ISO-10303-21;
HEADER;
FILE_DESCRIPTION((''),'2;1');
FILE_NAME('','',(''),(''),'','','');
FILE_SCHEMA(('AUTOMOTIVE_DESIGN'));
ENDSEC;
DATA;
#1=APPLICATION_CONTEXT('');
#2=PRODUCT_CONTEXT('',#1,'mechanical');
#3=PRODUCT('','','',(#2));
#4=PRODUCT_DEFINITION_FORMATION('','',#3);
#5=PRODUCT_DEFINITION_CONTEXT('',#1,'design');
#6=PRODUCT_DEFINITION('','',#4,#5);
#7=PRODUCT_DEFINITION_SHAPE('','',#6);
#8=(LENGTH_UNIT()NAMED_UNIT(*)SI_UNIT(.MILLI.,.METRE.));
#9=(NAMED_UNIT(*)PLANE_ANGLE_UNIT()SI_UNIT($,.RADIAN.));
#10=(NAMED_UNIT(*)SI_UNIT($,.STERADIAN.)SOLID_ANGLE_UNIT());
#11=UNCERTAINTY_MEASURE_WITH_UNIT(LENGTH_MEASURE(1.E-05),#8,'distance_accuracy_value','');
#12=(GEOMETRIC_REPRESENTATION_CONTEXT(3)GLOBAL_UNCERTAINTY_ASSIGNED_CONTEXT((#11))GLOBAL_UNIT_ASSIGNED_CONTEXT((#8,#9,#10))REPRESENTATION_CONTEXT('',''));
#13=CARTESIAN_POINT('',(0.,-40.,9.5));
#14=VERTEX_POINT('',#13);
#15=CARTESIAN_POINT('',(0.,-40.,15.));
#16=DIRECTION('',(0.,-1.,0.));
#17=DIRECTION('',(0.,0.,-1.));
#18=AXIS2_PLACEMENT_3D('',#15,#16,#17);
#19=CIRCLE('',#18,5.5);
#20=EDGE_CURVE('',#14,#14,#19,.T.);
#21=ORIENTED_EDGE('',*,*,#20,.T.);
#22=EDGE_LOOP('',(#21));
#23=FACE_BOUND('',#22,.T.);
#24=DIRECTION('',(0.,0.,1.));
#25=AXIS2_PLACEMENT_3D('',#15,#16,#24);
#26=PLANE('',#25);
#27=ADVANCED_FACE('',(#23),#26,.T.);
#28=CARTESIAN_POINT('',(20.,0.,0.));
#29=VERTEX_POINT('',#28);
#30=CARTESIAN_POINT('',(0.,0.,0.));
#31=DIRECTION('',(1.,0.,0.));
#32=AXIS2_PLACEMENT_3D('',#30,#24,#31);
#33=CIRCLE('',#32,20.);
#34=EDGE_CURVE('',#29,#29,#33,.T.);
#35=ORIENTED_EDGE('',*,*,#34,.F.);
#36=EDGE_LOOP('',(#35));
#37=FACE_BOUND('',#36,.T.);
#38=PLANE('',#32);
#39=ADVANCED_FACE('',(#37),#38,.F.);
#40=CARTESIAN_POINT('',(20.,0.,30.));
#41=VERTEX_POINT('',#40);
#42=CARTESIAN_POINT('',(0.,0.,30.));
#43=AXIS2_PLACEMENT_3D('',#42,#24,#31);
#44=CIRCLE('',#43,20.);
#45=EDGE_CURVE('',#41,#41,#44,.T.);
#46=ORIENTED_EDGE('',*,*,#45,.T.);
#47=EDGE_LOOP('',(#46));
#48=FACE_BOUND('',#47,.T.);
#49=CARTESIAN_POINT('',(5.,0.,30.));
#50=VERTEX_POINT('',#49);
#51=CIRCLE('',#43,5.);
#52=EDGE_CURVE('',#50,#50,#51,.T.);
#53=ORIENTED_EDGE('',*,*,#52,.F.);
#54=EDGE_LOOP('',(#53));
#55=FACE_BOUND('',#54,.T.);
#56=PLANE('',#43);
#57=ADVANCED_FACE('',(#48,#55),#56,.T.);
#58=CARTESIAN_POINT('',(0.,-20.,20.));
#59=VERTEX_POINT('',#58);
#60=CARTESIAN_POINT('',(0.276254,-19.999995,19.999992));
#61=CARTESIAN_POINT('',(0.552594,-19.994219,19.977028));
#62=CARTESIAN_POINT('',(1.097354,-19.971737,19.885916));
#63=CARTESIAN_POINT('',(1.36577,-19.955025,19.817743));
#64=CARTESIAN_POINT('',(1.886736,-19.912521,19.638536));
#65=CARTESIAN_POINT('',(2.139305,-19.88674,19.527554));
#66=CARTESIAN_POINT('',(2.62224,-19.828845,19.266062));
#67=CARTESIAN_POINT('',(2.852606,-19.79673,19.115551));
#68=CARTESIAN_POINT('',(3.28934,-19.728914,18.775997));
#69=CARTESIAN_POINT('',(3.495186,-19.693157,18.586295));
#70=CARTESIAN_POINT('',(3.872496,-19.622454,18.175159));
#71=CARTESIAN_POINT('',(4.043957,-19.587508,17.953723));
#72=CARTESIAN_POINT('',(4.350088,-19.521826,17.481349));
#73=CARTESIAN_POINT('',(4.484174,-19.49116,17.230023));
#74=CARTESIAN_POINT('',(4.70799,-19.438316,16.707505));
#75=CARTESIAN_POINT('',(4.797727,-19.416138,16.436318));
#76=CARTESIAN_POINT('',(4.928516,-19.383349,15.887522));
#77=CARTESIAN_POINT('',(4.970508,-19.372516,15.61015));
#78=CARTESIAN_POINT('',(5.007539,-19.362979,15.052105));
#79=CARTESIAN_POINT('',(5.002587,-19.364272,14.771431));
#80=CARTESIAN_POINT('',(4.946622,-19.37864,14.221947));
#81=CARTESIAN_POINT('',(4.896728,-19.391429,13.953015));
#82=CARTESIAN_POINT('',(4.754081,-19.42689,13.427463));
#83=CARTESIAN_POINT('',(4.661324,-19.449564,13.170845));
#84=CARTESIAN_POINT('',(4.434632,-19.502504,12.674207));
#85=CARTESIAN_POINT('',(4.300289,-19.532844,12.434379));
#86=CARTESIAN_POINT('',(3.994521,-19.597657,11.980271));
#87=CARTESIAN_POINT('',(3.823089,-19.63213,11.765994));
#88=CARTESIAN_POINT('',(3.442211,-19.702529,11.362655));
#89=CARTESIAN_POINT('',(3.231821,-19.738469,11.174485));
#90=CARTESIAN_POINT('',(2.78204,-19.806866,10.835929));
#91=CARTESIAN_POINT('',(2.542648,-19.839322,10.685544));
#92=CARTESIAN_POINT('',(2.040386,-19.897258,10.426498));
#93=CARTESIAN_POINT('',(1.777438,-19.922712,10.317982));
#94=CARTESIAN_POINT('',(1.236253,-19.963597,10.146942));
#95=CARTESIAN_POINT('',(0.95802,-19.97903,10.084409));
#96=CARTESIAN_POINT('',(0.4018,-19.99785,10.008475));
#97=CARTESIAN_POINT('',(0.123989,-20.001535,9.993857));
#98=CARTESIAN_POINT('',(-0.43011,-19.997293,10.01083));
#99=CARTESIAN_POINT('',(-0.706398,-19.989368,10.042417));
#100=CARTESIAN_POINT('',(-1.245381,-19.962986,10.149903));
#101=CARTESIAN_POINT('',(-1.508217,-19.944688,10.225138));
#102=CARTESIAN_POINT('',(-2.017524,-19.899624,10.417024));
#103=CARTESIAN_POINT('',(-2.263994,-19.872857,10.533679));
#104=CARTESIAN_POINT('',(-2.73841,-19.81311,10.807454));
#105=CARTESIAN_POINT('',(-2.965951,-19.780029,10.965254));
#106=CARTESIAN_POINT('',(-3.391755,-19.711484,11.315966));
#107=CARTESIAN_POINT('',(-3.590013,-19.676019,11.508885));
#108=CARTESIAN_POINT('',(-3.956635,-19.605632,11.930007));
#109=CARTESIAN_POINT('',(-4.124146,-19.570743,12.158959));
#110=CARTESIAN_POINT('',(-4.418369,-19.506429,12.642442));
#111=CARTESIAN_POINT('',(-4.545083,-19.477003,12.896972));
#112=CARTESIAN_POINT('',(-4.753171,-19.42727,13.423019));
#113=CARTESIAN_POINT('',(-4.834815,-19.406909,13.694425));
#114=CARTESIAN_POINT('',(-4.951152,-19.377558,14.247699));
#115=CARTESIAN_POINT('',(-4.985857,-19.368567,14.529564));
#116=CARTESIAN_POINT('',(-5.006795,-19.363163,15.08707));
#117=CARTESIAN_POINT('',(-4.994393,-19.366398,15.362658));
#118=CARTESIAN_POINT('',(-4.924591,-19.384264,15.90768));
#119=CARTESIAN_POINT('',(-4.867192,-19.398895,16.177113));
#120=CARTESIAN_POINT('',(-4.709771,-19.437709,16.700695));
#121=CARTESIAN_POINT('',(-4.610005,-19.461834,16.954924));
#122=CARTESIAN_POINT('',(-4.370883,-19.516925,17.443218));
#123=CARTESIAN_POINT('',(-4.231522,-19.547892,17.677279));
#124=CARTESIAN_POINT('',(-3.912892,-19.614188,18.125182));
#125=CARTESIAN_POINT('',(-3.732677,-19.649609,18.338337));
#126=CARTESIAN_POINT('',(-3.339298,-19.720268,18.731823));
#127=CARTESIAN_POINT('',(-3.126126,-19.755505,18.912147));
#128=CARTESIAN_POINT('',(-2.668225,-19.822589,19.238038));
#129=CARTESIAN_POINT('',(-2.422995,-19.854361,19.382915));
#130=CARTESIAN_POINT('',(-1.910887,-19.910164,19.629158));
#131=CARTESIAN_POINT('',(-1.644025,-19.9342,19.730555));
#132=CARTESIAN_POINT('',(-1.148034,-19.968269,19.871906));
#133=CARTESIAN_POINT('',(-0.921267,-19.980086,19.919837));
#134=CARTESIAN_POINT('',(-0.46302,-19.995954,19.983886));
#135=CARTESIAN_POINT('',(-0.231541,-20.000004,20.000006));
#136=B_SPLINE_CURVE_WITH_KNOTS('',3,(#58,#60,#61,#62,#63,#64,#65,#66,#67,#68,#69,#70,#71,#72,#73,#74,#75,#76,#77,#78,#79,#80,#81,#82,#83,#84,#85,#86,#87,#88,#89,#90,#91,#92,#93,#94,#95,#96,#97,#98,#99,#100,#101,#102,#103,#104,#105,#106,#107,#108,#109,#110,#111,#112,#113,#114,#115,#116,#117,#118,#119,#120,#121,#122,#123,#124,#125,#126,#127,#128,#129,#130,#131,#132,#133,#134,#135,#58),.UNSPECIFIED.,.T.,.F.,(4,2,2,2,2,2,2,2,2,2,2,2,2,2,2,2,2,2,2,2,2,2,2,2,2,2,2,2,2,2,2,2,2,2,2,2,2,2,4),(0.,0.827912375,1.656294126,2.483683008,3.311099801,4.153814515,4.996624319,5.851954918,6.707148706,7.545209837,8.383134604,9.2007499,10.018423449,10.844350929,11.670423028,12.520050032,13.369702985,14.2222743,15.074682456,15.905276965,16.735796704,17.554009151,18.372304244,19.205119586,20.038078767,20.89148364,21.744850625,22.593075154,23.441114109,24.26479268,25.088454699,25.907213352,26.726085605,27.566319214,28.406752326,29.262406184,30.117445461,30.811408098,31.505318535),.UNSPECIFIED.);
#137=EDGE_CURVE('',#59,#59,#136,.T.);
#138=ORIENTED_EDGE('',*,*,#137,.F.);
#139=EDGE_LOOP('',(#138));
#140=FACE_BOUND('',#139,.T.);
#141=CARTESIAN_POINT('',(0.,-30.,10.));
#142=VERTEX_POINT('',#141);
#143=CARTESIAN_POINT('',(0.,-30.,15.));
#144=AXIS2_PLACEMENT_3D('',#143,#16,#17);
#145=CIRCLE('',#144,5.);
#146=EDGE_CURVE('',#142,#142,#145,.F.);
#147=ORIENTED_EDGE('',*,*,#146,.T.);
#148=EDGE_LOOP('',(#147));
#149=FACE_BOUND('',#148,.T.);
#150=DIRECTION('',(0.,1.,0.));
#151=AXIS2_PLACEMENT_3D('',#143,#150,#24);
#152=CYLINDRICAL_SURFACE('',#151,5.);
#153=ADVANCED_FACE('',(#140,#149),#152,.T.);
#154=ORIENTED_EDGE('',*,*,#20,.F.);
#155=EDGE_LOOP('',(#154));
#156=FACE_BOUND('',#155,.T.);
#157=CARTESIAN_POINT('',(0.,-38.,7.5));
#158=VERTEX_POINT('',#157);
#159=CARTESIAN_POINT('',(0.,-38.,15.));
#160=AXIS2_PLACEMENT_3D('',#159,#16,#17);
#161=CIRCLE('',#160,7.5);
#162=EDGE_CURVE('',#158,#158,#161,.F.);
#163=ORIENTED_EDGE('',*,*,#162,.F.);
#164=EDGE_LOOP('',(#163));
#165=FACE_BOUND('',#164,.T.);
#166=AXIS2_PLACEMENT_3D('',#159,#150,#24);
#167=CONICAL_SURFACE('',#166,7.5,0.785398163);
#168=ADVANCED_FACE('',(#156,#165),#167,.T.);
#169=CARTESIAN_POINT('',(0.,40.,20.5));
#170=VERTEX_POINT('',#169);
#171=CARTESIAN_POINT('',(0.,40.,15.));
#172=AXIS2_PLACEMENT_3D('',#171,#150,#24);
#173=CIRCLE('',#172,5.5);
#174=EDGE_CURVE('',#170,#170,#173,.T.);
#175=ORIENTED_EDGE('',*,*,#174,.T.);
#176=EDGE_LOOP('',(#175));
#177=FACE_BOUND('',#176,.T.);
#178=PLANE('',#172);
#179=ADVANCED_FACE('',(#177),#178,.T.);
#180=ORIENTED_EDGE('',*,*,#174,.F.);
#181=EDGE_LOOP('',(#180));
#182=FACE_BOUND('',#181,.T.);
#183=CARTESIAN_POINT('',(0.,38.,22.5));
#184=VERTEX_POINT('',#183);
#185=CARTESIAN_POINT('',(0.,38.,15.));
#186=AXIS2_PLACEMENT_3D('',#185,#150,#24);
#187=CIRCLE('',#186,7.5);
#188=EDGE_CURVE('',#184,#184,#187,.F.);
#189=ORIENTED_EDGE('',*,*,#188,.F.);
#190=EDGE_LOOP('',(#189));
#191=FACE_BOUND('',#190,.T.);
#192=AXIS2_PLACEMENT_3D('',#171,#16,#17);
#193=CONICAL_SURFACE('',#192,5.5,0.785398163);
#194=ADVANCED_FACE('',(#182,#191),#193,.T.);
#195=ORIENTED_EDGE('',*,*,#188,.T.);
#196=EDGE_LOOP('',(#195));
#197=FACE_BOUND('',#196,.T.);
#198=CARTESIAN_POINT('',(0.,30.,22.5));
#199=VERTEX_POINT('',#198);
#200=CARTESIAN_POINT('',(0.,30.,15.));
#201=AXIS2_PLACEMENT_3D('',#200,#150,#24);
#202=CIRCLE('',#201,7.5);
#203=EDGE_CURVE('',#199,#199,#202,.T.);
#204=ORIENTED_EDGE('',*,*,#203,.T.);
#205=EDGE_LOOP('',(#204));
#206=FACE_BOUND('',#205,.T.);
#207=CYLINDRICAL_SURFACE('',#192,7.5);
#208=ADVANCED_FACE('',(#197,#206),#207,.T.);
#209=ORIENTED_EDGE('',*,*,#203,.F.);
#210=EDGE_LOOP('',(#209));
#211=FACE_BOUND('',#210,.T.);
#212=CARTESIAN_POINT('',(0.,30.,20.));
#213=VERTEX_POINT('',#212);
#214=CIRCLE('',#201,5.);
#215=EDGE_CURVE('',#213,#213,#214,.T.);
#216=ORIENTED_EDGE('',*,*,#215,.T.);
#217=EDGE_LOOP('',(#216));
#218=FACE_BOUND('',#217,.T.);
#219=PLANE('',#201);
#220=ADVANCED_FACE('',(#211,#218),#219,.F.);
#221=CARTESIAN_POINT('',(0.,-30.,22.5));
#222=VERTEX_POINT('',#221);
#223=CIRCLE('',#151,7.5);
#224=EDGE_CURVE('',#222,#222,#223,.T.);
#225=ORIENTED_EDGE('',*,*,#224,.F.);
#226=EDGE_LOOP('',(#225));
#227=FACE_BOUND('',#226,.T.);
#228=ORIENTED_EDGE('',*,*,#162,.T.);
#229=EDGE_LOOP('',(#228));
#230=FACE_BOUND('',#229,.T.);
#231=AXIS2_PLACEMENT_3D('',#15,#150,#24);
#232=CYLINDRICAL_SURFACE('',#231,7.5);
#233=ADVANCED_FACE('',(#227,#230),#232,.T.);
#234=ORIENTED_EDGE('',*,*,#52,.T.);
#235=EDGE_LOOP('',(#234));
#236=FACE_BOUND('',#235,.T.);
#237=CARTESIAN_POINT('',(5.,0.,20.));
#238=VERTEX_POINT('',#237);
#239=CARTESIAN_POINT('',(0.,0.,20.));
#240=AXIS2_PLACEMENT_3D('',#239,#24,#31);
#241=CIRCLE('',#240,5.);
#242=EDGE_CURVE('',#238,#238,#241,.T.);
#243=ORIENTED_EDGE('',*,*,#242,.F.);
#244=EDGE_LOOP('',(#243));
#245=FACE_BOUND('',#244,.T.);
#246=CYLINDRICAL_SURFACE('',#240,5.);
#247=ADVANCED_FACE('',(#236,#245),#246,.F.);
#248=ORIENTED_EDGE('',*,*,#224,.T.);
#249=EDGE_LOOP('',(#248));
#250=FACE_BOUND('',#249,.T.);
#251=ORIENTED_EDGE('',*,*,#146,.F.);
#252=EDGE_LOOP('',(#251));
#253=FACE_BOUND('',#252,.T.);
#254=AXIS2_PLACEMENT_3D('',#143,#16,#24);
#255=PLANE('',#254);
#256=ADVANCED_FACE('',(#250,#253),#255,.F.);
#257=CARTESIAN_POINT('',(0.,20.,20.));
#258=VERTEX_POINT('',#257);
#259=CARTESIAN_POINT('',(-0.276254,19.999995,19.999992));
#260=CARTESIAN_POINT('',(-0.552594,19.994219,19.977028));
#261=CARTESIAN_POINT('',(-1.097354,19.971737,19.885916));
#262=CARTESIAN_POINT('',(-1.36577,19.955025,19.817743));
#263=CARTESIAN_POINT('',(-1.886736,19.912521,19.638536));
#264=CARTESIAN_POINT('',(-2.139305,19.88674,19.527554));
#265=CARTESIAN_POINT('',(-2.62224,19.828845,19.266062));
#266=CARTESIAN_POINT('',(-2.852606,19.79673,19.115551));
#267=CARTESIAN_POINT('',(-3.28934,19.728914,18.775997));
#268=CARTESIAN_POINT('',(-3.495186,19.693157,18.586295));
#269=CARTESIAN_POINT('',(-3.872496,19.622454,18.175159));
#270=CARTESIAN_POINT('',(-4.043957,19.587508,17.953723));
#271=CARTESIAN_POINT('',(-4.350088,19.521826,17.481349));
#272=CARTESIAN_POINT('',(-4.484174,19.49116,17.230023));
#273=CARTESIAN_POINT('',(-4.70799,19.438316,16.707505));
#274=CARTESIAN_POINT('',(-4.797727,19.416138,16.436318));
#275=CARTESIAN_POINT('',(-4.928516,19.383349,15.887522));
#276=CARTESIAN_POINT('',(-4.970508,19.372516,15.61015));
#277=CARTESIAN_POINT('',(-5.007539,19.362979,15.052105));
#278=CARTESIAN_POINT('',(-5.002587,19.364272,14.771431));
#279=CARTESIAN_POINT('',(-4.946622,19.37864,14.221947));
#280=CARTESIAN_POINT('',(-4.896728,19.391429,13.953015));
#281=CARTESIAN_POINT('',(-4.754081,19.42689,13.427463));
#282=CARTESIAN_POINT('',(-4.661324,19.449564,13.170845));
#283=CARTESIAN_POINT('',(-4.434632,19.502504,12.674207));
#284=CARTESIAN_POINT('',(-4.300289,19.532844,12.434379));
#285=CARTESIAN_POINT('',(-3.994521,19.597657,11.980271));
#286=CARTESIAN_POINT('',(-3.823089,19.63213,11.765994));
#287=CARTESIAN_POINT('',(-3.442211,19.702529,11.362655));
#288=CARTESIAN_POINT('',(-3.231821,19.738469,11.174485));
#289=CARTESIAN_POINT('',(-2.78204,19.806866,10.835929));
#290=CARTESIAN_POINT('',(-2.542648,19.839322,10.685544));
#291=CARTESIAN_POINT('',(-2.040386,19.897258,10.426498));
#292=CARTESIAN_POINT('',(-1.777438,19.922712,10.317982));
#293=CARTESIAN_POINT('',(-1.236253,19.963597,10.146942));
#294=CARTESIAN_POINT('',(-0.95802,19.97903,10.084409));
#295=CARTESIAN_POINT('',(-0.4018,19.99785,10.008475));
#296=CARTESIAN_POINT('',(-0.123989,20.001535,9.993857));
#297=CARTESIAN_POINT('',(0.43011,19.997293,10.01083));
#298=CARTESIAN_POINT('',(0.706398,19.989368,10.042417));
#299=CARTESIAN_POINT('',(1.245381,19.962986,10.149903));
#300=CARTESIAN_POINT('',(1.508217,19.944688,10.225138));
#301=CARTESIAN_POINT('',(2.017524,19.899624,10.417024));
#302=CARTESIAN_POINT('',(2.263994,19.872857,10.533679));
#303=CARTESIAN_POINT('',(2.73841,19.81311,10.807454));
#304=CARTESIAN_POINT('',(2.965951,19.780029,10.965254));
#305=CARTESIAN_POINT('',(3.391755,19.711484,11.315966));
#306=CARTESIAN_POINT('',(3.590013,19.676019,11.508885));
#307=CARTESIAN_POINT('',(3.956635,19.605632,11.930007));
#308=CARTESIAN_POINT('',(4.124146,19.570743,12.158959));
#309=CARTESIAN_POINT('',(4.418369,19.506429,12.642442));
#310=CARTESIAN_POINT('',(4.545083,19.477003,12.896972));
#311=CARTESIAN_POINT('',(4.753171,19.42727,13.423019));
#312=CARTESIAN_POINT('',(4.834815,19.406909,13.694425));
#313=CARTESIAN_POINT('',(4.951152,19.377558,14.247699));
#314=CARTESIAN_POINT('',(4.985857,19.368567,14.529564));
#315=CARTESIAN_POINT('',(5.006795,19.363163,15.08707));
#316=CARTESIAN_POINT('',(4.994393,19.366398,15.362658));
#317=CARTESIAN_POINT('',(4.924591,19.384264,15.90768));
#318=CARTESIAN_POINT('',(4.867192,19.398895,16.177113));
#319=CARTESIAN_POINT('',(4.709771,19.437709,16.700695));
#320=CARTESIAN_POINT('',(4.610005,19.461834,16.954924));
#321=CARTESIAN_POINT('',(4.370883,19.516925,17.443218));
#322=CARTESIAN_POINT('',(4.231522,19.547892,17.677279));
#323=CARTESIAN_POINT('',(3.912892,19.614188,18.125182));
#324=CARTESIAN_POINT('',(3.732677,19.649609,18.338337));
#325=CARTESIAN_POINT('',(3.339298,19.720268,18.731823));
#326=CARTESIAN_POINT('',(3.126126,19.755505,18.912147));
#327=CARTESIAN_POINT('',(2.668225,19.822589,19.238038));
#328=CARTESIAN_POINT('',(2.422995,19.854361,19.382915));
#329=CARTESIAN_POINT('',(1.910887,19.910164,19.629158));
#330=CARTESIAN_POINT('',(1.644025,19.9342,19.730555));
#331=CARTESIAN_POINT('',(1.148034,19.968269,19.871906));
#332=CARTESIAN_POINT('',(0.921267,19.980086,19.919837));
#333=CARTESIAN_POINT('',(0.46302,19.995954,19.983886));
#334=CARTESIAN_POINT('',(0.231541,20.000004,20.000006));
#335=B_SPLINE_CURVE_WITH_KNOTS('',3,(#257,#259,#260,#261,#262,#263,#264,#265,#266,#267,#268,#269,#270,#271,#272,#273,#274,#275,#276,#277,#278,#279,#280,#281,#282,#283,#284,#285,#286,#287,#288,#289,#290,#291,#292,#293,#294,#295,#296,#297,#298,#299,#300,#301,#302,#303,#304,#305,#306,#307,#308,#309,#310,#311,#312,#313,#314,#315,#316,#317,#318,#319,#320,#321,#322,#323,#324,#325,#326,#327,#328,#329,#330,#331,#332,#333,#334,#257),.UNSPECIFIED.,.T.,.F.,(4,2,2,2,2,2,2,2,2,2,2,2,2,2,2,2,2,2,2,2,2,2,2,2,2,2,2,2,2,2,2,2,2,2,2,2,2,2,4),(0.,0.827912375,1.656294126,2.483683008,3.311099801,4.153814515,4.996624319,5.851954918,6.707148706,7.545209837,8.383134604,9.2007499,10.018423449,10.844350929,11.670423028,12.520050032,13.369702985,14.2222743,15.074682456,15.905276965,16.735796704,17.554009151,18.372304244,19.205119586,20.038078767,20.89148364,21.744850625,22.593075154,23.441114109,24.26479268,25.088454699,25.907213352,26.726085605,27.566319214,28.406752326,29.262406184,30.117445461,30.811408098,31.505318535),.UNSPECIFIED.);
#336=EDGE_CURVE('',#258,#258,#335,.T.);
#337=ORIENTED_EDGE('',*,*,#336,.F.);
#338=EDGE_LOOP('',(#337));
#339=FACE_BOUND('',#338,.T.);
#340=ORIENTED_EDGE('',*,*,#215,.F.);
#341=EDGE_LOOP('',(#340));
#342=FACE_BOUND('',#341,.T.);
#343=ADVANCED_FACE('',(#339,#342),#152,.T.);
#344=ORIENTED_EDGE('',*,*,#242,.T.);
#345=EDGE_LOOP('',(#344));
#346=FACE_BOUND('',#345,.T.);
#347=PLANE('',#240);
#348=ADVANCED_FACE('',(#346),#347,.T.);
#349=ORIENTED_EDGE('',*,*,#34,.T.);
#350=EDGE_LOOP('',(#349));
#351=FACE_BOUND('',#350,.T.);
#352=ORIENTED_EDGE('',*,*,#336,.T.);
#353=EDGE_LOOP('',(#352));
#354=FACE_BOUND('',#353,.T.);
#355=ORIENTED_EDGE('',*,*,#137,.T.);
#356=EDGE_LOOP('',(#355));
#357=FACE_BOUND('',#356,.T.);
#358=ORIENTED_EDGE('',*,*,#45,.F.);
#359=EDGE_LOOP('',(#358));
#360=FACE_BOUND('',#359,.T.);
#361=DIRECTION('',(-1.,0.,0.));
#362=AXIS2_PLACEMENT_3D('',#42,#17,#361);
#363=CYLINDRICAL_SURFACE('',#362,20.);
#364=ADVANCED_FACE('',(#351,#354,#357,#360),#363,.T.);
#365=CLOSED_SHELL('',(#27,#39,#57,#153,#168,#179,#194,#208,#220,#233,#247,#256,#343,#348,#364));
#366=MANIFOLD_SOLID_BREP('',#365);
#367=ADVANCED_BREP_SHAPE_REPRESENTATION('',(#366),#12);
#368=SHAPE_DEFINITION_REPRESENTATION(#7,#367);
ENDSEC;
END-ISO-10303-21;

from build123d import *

# Parameters (mm, degrees)
SKETCH1_R                = 20
BOSS_EXTRUDE1_DEPTH      = 30
BOSS_EXTRUDE2_DEPTH      = 30
BOSS_EXTRUDE2_DEPTH_BACK = 30
SKETCH2_R                = 5
SKETCH3_R                = 7.5
BOSS_EXTRUDE3_DEPTH      = 10
CHAMFER1_SIZE            = 2
CHAMFER1_OF_MIRROR1_SIZE = 2
SKETCH4_R                = 5
CUT_EXTRUDE1_DEPTH       = 10


with BuildPart() as part:
    # Sketch1 → Boss-Extrude1 (new body)
    with BuildSketch(Plane.XY):
        Circle(SKETCH1_R)
    extrude(amount=BOSS_EXTRUDE1_DEPTH)

    # Sketch2 → Boss-Extrude2 (add, two sides: drawn at the far end of the back side and taken through both)
    with BuildSketch(Plane(origin=(0, 0, 0), x_dir=(1, 0, 0), z_dir=(0, 1, 0)).offset(-BOSS_EXTRUDE2_DEPTH_BACK)):
        with Locations((0, -15)):
            Circle(SKETCH2_R)
    extrude(amount=BOSS_EXTRUDE2_DEPTH + BOSS_EXTRUDE2_DEPTH_BACK)

    # Sketch3 → Boss-Extrude3 (add)
    with BuildSketch(Plane(origin=(0, 30, 0), x_dir=(1, 0, 0), z_dir=(0, 1, 0))):
        with Locations((0, -15)):
            Circle(SKETCH3_R)
    boss_extrude3 = extrude(amount=BOSS_EXTRUDE3_DEPTH)

    # Chamfer1
    chamfer1_edges = [part.edges().sort_by_distance(p)[0] for p in [
        (-7.5, 40, 15),
    ]]
    chamfer(chamfer1_edges, length=CHAMFER1_SIZE)

    # Mirror1: Boss-Extrude3 across plane
    add(boss_extrude3.mirror(Plane.ZX))

    # Chamfer1 of Mirror1
    chamfer1_of_mirror1_edges = [part.edges().sort_by_distance(p)[0] for p in [
        (-7.5, -40, 15),
    ]]
    chamfer(chamfer1_of_mirror1_edges, length=CHAMFER1_OF_MIRROR1_SIZE)

    # Sketch4 → Cut-Extrude1 (cut)
    with BuildSketch(Plane.XY.offset(30)):
        Circle(SKETCH4_R)
    extrude(amount=-CUT_EXTRUDE1_DEPTH, mode=Mode.SUBTRACT)


solid = part.part
